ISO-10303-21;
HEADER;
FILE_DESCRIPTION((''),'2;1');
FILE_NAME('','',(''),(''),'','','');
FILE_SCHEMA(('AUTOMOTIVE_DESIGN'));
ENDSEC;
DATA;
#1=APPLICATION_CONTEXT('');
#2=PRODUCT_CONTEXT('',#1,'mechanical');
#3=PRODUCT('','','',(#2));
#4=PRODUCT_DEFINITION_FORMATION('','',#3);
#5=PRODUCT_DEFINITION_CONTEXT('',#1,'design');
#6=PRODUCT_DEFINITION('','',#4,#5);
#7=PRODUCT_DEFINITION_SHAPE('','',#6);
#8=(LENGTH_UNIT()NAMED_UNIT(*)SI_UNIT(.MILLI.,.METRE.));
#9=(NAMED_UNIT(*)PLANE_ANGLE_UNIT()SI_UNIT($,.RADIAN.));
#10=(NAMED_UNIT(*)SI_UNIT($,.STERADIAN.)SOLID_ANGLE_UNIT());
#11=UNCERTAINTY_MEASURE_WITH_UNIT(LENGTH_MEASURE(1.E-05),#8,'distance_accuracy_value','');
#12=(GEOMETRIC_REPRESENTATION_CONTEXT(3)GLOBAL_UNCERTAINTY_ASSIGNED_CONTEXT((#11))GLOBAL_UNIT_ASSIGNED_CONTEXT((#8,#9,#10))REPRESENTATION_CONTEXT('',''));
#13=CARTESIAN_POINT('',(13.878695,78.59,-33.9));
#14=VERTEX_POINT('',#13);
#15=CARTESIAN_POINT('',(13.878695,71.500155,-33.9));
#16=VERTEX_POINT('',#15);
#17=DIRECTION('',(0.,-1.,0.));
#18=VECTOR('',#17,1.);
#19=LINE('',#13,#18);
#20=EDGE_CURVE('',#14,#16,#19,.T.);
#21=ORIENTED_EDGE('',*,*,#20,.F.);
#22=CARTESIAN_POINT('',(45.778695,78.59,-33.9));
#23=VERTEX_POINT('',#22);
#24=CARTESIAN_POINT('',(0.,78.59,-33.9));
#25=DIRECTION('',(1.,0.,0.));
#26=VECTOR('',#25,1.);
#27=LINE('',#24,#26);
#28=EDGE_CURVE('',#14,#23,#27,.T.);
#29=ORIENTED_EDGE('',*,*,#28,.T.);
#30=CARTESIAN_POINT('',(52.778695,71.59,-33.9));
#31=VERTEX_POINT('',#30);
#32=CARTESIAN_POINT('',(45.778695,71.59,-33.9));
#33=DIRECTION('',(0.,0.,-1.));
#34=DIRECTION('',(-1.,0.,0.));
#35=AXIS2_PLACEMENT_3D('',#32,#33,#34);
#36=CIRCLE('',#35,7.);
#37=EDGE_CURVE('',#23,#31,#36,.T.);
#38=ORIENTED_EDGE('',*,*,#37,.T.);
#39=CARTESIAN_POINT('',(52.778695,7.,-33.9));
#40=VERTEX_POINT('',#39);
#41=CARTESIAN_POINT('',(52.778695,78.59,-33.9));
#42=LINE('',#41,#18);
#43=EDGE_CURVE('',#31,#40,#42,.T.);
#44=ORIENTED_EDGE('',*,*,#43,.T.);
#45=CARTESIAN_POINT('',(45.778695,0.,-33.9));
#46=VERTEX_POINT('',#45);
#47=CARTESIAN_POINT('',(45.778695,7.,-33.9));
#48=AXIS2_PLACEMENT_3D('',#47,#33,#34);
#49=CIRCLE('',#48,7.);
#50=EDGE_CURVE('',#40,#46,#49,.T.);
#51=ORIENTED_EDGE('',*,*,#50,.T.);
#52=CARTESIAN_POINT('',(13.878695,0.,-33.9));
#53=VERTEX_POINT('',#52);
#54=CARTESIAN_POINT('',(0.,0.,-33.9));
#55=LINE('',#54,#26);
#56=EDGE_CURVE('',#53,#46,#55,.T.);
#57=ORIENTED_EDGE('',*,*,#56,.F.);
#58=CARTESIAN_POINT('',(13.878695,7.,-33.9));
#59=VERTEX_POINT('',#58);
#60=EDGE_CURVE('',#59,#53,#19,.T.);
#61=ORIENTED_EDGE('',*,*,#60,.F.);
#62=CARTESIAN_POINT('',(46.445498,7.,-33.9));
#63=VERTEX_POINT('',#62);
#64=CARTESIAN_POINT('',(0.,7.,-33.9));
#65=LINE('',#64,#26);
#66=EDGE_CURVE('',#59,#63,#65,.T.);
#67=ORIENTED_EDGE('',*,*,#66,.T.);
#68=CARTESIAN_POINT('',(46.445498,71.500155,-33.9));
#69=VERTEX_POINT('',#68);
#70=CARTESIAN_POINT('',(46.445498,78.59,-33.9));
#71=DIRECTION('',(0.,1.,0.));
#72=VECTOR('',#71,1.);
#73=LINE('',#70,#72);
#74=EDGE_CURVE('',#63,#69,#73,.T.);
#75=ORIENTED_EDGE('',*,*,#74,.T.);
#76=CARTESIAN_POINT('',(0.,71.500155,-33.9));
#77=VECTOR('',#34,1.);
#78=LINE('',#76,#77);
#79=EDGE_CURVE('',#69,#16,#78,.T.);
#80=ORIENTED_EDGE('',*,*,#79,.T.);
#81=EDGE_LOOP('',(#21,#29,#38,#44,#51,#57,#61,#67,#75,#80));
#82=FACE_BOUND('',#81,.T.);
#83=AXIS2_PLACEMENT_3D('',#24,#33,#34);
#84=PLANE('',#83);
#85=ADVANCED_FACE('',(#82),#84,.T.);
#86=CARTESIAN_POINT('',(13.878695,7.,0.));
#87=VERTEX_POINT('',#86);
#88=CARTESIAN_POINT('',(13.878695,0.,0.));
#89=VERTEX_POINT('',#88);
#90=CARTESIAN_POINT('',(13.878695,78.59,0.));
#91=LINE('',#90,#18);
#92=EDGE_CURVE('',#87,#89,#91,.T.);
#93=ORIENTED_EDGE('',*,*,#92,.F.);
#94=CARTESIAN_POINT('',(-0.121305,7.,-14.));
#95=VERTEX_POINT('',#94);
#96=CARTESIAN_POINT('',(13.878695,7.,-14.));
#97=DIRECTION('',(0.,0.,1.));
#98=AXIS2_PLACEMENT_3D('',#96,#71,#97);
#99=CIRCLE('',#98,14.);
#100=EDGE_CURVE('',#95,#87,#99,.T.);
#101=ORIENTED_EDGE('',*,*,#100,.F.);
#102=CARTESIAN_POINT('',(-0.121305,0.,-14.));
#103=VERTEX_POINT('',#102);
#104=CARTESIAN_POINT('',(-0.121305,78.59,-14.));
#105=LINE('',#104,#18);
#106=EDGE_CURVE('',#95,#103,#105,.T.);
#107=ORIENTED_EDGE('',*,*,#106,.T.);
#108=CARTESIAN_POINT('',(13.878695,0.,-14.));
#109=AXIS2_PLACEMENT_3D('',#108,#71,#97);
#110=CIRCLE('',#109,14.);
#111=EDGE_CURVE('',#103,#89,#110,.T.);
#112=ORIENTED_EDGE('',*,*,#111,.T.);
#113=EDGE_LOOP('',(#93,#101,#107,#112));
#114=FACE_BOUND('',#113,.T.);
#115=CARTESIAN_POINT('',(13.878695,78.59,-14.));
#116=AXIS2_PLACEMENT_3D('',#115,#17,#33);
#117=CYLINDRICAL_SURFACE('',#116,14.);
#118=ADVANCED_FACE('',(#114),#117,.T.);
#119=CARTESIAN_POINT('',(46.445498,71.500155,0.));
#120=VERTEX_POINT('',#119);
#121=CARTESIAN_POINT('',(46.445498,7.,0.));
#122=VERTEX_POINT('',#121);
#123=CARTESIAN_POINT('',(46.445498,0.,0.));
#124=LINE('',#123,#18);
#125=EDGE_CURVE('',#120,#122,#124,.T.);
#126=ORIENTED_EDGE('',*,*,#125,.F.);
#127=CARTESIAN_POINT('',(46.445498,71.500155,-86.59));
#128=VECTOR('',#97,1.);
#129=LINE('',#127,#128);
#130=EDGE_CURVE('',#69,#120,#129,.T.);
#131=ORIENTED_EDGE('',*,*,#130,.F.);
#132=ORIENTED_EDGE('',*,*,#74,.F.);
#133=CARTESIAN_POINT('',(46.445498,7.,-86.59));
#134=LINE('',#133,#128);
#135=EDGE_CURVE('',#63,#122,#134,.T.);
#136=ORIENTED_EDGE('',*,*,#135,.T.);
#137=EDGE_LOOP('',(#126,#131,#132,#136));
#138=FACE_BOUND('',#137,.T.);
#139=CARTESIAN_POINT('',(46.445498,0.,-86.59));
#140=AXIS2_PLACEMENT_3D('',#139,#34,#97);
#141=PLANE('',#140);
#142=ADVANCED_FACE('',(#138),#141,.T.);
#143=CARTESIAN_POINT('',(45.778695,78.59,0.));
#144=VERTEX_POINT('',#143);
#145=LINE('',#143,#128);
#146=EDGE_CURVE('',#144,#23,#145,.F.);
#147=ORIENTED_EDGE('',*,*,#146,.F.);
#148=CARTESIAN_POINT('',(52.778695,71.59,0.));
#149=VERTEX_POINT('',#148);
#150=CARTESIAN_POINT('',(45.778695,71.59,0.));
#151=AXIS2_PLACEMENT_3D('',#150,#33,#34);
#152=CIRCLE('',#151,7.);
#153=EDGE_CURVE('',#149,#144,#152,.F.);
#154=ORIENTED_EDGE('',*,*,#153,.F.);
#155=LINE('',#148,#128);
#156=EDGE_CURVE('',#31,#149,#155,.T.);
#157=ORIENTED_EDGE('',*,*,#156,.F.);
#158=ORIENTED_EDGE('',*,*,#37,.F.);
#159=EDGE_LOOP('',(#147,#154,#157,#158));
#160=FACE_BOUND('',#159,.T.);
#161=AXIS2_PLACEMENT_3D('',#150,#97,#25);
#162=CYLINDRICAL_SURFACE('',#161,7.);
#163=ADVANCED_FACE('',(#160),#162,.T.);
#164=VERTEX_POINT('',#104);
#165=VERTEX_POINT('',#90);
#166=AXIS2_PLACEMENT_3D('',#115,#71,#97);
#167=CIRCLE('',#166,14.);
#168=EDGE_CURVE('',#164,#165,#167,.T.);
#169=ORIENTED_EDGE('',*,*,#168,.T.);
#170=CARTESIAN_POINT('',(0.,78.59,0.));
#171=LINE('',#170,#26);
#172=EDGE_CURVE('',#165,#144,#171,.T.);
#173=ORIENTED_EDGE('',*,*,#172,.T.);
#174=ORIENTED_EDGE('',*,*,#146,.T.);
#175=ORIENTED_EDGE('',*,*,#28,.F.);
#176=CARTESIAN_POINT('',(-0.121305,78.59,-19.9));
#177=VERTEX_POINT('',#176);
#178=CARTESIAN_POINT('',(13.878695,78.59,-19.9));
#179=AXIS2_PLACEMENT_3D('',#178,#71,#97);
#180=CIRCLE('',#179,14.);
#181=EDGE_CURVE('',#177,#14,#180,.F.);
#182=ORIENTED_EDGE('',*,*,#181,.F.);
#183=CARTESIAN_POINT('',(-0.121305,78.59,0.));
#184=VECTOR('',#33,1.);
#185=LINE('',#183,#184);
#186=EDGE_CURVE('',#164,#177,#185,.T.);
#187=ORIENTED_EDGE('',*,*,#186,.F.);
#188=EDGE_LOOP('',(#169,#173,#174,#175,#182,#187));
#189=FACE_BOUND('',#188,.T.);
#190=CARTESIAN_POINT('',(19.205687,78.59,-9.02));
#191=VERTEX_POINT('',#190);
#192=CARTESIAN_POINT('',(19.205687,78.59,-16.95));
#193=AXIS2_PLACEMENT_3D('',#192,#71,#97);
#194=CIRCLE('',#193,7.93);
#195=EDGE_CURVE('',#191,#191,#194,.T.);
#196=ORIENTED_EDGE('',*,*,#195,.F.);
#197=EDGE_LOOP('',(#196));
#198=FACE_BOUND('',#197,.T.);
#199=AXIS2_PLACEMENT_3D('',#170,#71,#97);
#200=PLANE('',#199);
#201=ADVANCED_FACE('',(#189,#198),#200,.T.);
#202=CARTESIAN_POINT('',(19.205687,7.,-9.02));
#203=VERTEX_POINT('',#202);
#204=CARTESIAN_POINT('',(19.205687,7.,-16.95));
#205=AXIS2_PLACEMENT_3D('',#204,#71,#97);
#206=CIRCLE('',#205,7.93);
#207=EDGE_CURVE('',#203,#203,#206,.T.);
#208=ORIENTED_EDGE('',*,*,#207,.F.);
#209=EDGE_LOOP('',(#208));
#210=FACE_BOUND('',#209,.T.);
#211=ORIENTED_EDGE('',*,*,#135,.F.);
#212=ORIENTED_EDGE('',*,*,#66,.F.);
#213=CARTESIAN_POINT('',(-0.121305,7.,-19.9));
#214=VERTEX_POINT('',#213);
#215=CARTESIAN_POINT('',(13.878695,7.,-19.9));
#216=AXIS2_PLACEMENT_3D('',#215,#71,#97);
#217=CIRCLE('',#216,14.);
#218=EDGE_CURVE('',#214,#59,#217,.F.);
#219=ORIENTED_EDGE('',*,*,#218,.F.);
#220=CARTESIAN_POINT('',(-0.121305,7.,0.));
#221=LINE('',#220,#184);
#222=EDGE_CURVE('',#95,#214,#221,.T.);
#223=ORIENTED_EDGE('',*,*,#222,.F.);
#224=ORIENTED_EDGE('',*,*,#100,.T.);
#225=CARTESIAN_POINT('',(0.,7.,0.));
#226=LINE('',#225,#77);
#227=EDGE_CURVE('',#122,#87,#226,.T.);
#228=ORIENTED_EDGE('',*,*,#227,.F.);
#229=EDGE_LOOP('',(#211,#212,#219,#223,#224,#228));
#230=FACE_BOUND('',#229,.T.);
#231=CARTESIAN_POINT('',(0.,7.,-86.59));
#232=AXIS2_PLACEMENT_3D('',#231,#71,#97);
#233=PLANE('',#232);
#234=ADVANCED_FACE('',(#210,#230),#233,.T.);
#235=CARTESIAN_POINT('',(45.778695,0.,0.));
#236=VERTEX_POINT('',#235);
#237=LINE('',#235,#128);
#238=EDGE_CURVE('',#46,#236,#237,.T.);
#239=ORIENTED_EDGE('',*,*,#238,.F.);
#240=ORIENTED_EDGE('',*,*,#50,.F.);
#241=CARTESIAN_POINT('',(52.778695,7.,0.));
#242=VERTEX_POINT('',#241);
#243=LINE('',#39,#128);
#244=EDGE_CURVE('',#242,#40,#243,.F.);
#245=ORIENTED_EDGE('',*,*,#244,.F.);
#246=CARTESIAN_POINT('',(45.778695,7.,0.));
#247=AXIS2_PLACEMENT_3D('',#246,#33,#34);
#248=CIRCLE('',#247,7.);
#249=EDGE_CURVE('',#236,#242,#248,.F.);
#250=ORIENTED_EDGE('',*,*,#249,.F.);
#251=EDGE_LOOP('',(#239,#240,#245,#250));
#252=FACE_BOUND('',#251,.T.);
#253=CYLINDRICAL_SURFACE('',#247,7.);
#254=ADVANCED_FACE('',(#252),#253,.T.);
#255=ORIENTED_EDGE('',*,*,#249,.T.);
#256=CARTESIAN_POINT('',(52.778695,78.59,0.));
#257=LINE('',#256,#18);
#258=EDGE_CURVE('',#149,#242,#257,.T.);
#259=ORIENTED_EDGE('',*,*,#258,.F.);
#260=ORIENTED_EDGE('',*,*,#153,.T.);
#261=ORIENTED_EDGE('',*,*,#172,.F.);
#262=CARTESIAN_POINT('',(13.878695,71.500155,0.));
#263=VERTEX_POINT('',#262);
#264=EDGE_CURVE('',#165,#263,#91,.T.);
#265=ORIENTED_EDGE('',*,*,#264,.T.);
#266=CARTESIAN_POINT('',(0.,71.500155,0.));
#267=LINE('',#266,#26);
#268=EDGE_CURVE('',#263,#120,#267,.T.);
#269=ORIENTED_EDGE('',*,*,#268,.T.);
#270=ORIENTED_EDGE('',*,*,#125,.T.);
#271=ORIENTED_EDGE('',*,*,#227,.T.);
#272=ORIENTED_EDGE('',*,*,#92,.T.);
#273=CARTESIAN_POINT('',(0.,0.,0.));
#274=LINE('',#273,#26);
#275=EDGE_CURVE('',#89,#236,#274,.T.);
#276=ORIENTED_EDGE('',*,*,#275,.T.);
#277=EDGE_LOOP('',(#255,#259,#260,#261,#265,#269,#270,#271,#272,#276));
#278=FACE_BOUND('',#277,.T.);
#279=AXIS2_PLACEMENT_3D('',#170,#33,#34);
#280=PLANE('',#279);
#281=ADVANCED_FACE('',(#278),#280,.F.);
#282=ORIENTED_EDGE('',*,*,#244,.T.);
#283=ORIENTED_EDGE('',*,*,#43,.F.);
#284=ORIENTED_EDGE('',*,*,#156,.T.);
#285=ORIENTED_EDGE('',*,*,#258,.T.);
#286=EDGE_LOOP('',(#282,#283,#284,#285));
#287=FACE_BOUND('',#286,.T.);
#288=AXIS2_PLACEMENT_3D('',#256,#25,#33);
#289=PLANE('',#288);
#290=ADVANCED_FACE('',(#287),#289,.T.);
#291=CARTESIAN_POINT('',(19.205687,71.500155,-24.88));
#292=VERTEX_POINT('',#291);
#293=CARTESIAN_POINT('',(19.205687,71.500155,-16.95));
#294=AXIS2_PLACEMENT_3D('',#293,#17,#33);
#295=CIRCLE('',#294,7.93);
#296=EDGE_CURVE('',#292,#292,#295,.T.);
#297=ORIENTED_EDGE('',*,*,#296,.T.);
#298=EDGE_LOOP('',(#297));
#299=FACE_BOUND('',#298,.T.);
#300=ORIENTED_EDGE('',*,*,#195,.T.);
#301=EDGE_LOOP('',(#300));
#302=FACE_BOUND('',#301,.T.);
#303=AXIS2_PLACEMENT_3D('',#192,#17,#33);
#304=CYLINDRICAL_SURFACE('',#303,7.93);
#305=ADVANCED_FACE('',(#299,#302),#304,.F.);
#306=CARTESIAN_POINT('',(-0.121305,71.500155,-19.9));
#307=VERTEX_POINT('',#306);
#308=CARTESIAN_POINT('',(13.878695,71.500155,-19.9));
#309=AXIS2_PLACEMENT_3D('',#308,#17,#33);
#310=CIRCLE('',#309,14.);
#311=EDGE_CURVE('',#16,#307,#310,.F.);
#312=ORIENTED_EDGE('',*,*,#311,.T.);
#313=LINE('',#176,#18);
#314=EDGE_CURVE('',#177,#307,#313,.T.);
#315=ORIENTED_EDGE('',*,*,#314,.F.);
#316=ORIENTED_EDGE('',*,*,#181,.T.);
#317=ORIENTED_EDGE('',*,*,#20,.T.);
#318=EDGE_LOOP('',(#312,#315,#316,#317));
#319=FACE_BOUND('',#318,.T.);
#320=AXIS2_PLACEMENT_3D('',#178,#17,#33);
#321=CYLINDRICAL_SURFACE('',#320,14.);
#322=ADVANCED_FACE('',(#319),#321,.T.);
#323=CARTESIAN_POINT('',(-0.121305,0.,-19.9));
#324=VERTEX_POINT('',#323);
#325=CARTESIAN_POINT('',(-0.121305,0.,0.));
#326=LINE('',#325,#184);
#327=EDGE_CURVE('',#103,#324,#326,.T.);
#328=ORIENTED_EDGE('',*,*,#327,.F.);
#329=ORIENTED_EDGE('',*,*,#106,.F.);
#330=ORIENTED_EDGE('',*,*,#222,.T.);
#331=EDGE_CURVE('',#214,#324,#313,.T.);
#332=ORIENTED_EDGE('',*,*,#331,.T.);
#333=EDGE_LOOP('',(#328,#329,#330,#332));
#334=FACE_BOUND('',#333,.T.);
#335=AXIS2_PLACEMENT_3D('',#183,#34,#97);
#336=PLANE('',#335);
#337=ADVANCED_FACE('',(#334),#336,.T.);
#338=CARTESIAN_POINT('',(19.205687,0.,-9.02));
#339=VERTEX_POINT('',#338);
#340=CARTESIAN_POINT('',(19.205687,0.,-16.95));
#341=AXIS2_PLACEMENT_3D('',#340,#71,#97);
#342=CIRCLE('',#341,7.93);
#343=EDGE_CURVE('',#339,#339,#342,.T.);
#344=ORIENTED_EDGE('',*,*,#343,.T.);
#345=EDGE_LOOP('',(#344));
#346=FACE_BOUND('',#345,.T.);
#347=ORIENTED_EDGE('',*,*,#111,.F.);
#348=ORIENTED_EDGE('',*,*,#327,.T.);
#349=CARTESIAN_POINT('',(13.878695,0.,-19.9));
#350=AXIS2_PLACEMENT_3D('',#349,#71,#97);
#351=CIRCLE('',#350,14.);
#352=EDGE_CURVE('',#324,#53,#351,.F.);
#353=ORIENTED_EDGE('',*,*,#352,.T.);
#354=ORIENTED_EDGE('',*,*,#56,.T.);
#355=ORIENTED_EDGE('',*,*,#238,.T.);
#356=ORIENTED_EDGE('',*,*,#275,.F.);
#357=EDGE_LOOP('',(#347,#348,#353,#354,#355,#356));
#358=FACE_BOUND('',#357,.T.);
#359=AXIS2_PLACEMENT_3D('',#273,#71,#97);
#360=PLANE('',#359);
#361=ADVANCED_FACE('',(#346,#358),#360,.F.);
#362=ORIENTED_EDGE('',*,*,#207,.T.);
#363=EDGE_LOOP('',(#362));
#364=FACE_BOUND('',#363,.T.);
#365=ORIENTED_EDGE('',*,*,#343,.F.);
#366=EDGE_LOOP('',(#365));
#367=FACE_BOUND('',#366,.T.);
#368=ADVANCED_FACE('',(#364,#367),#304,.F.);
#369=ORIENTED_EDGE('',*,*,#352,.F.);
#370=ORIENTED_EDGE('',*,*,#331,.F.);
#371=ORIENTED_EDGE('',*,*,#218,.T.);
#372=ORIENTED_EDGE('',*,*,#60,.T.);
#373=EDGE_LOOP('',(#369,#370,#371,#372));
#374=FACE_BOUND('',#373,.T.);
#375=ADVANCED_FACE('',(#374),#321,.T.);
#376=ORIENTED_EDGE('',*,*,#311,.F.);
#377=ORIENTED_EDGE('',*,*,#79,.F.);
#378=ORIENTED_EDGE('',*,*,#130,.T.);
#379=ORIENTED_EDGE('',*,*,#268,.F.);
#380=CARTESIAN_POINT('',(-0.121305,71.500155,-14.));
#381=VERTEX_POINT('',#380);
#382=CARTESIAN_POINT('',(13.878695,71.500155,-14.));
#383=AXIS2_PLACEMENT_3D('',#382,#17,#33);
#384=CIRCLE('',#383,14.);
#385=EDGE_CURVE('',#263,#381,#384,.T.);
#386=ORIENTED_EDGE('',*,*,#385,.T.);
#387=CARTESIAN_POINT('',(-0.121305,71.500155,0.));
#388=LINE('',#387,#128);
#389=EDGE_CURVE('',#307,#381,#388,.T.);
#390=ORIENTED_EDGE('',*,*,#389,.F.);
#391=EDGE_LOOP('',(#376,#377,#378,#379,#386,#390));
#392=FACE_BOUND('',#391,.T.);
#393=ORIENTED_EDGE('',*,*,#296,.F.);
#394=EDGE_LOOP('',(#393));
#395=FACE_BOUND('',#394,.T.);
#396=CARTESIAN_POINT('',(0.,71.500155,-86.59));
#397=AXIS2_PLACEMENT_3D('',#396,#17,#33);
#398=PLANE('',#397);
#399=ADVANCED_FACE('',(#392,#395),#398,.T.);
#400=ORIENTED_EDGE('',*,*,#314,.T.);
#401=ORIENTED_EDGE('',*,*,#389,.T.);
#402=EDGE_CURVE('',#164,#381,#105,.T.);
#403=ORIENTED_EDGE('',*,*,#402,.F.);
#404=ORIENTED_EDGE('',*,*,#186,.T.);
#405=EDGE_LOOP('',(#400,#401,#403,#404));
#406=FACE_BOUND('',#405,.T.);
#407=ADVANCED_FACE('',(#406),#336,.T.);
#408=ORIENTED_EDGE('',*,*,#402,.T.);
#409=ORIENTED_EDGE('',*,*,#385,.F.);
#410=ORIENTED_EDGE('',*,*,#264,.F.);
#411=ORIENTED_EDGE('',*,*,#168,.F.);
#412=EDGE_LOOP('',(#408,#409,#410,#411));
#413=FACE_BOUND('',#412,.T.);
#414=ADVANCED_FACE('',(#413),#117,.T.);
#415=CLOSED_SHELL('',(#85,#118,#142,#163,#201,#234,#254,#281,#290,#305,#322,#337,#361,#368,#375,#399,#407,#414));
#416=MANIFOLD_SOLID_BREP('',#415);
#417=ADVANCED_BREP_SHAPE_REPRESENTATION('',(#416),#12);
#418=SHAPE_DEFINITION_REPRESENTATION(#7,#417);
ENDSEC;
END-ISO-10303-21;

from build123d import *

# Parameters (mm, degrees)
SKETCH2_R           = 7.93
BOSS_EXTRUDE1_DEPTH = 78.59
FILLET1_R           = 7
CUT_EXTRUDE1_DEPTH  = 86.59
FILLET2_R           = 7


with BuildPart() as part:
    # Sketch2 → Boss-Extrude1 (new body)
    with BuildSketch(Plane(origin=(0, 0, 0), x_dir=(1, 0, 0), z_dir=(0, 1, 0))):
        with BuildLine():
            Line((-0.121305042, 14), (-0.121305042, 19.9))
            ThreePointArc((-0.121305042, 19.9), (3.979200021, 29.799494937), (13.878694958, 33.9))
            Line((13.878694958, 33.9), (52.778694958, 33.9))
            Line((52.778694958, 33.9), (52.778694958, 0))
            Line((52.778694958, 0), (13.878694958, 0))
            ThreePointArc((13.878694958, 0), (3.979200021, 4.100505063), (-0.121305042, 14))
        make_face()
        with Locations(Location((19.205687065, 16.95, 0), (0, 0, 270))):
            Circle(SKETCH2_R, mode=Mode.SUBTRACT)
    extrude(amount=BOSS_EXTRUDE1_DEPTH)

    # Fillet1
    fillet1_edges = [part.edges().sort_by_distance(p)[0] for p in [
        (52.778694958, 78.59, -16.95),
    ]]
    fillet(fillet1_edges, radius=FILLET1_R)

    # Sketch8 → Cut-Extrude1 (cut)
    with BuildSketch(Plane.XY):
        Polygon((46.445498075, 69.59), (46.445498075, 7), (13.878694958, 7), (-13.306366157, 7), (-13.306366157, 69.59), (-13.306366157, 71.500154521), (13.878694958, 71.500154521), (46.445498075, 71.500154521), align=None)
    extrude(amount=-CUT_EXTRUDE1_DEPTH, mode=Mode.SUBTRACT)

    # Fillet2
    fillet2_edges = [part.edges().sort_by_distance(p)[0] for p in [
        (52.778694958, 0, -16.95),
    ]]
    fillet(fillet2_edges, radius=FILLET2_R)


solid = part.part
